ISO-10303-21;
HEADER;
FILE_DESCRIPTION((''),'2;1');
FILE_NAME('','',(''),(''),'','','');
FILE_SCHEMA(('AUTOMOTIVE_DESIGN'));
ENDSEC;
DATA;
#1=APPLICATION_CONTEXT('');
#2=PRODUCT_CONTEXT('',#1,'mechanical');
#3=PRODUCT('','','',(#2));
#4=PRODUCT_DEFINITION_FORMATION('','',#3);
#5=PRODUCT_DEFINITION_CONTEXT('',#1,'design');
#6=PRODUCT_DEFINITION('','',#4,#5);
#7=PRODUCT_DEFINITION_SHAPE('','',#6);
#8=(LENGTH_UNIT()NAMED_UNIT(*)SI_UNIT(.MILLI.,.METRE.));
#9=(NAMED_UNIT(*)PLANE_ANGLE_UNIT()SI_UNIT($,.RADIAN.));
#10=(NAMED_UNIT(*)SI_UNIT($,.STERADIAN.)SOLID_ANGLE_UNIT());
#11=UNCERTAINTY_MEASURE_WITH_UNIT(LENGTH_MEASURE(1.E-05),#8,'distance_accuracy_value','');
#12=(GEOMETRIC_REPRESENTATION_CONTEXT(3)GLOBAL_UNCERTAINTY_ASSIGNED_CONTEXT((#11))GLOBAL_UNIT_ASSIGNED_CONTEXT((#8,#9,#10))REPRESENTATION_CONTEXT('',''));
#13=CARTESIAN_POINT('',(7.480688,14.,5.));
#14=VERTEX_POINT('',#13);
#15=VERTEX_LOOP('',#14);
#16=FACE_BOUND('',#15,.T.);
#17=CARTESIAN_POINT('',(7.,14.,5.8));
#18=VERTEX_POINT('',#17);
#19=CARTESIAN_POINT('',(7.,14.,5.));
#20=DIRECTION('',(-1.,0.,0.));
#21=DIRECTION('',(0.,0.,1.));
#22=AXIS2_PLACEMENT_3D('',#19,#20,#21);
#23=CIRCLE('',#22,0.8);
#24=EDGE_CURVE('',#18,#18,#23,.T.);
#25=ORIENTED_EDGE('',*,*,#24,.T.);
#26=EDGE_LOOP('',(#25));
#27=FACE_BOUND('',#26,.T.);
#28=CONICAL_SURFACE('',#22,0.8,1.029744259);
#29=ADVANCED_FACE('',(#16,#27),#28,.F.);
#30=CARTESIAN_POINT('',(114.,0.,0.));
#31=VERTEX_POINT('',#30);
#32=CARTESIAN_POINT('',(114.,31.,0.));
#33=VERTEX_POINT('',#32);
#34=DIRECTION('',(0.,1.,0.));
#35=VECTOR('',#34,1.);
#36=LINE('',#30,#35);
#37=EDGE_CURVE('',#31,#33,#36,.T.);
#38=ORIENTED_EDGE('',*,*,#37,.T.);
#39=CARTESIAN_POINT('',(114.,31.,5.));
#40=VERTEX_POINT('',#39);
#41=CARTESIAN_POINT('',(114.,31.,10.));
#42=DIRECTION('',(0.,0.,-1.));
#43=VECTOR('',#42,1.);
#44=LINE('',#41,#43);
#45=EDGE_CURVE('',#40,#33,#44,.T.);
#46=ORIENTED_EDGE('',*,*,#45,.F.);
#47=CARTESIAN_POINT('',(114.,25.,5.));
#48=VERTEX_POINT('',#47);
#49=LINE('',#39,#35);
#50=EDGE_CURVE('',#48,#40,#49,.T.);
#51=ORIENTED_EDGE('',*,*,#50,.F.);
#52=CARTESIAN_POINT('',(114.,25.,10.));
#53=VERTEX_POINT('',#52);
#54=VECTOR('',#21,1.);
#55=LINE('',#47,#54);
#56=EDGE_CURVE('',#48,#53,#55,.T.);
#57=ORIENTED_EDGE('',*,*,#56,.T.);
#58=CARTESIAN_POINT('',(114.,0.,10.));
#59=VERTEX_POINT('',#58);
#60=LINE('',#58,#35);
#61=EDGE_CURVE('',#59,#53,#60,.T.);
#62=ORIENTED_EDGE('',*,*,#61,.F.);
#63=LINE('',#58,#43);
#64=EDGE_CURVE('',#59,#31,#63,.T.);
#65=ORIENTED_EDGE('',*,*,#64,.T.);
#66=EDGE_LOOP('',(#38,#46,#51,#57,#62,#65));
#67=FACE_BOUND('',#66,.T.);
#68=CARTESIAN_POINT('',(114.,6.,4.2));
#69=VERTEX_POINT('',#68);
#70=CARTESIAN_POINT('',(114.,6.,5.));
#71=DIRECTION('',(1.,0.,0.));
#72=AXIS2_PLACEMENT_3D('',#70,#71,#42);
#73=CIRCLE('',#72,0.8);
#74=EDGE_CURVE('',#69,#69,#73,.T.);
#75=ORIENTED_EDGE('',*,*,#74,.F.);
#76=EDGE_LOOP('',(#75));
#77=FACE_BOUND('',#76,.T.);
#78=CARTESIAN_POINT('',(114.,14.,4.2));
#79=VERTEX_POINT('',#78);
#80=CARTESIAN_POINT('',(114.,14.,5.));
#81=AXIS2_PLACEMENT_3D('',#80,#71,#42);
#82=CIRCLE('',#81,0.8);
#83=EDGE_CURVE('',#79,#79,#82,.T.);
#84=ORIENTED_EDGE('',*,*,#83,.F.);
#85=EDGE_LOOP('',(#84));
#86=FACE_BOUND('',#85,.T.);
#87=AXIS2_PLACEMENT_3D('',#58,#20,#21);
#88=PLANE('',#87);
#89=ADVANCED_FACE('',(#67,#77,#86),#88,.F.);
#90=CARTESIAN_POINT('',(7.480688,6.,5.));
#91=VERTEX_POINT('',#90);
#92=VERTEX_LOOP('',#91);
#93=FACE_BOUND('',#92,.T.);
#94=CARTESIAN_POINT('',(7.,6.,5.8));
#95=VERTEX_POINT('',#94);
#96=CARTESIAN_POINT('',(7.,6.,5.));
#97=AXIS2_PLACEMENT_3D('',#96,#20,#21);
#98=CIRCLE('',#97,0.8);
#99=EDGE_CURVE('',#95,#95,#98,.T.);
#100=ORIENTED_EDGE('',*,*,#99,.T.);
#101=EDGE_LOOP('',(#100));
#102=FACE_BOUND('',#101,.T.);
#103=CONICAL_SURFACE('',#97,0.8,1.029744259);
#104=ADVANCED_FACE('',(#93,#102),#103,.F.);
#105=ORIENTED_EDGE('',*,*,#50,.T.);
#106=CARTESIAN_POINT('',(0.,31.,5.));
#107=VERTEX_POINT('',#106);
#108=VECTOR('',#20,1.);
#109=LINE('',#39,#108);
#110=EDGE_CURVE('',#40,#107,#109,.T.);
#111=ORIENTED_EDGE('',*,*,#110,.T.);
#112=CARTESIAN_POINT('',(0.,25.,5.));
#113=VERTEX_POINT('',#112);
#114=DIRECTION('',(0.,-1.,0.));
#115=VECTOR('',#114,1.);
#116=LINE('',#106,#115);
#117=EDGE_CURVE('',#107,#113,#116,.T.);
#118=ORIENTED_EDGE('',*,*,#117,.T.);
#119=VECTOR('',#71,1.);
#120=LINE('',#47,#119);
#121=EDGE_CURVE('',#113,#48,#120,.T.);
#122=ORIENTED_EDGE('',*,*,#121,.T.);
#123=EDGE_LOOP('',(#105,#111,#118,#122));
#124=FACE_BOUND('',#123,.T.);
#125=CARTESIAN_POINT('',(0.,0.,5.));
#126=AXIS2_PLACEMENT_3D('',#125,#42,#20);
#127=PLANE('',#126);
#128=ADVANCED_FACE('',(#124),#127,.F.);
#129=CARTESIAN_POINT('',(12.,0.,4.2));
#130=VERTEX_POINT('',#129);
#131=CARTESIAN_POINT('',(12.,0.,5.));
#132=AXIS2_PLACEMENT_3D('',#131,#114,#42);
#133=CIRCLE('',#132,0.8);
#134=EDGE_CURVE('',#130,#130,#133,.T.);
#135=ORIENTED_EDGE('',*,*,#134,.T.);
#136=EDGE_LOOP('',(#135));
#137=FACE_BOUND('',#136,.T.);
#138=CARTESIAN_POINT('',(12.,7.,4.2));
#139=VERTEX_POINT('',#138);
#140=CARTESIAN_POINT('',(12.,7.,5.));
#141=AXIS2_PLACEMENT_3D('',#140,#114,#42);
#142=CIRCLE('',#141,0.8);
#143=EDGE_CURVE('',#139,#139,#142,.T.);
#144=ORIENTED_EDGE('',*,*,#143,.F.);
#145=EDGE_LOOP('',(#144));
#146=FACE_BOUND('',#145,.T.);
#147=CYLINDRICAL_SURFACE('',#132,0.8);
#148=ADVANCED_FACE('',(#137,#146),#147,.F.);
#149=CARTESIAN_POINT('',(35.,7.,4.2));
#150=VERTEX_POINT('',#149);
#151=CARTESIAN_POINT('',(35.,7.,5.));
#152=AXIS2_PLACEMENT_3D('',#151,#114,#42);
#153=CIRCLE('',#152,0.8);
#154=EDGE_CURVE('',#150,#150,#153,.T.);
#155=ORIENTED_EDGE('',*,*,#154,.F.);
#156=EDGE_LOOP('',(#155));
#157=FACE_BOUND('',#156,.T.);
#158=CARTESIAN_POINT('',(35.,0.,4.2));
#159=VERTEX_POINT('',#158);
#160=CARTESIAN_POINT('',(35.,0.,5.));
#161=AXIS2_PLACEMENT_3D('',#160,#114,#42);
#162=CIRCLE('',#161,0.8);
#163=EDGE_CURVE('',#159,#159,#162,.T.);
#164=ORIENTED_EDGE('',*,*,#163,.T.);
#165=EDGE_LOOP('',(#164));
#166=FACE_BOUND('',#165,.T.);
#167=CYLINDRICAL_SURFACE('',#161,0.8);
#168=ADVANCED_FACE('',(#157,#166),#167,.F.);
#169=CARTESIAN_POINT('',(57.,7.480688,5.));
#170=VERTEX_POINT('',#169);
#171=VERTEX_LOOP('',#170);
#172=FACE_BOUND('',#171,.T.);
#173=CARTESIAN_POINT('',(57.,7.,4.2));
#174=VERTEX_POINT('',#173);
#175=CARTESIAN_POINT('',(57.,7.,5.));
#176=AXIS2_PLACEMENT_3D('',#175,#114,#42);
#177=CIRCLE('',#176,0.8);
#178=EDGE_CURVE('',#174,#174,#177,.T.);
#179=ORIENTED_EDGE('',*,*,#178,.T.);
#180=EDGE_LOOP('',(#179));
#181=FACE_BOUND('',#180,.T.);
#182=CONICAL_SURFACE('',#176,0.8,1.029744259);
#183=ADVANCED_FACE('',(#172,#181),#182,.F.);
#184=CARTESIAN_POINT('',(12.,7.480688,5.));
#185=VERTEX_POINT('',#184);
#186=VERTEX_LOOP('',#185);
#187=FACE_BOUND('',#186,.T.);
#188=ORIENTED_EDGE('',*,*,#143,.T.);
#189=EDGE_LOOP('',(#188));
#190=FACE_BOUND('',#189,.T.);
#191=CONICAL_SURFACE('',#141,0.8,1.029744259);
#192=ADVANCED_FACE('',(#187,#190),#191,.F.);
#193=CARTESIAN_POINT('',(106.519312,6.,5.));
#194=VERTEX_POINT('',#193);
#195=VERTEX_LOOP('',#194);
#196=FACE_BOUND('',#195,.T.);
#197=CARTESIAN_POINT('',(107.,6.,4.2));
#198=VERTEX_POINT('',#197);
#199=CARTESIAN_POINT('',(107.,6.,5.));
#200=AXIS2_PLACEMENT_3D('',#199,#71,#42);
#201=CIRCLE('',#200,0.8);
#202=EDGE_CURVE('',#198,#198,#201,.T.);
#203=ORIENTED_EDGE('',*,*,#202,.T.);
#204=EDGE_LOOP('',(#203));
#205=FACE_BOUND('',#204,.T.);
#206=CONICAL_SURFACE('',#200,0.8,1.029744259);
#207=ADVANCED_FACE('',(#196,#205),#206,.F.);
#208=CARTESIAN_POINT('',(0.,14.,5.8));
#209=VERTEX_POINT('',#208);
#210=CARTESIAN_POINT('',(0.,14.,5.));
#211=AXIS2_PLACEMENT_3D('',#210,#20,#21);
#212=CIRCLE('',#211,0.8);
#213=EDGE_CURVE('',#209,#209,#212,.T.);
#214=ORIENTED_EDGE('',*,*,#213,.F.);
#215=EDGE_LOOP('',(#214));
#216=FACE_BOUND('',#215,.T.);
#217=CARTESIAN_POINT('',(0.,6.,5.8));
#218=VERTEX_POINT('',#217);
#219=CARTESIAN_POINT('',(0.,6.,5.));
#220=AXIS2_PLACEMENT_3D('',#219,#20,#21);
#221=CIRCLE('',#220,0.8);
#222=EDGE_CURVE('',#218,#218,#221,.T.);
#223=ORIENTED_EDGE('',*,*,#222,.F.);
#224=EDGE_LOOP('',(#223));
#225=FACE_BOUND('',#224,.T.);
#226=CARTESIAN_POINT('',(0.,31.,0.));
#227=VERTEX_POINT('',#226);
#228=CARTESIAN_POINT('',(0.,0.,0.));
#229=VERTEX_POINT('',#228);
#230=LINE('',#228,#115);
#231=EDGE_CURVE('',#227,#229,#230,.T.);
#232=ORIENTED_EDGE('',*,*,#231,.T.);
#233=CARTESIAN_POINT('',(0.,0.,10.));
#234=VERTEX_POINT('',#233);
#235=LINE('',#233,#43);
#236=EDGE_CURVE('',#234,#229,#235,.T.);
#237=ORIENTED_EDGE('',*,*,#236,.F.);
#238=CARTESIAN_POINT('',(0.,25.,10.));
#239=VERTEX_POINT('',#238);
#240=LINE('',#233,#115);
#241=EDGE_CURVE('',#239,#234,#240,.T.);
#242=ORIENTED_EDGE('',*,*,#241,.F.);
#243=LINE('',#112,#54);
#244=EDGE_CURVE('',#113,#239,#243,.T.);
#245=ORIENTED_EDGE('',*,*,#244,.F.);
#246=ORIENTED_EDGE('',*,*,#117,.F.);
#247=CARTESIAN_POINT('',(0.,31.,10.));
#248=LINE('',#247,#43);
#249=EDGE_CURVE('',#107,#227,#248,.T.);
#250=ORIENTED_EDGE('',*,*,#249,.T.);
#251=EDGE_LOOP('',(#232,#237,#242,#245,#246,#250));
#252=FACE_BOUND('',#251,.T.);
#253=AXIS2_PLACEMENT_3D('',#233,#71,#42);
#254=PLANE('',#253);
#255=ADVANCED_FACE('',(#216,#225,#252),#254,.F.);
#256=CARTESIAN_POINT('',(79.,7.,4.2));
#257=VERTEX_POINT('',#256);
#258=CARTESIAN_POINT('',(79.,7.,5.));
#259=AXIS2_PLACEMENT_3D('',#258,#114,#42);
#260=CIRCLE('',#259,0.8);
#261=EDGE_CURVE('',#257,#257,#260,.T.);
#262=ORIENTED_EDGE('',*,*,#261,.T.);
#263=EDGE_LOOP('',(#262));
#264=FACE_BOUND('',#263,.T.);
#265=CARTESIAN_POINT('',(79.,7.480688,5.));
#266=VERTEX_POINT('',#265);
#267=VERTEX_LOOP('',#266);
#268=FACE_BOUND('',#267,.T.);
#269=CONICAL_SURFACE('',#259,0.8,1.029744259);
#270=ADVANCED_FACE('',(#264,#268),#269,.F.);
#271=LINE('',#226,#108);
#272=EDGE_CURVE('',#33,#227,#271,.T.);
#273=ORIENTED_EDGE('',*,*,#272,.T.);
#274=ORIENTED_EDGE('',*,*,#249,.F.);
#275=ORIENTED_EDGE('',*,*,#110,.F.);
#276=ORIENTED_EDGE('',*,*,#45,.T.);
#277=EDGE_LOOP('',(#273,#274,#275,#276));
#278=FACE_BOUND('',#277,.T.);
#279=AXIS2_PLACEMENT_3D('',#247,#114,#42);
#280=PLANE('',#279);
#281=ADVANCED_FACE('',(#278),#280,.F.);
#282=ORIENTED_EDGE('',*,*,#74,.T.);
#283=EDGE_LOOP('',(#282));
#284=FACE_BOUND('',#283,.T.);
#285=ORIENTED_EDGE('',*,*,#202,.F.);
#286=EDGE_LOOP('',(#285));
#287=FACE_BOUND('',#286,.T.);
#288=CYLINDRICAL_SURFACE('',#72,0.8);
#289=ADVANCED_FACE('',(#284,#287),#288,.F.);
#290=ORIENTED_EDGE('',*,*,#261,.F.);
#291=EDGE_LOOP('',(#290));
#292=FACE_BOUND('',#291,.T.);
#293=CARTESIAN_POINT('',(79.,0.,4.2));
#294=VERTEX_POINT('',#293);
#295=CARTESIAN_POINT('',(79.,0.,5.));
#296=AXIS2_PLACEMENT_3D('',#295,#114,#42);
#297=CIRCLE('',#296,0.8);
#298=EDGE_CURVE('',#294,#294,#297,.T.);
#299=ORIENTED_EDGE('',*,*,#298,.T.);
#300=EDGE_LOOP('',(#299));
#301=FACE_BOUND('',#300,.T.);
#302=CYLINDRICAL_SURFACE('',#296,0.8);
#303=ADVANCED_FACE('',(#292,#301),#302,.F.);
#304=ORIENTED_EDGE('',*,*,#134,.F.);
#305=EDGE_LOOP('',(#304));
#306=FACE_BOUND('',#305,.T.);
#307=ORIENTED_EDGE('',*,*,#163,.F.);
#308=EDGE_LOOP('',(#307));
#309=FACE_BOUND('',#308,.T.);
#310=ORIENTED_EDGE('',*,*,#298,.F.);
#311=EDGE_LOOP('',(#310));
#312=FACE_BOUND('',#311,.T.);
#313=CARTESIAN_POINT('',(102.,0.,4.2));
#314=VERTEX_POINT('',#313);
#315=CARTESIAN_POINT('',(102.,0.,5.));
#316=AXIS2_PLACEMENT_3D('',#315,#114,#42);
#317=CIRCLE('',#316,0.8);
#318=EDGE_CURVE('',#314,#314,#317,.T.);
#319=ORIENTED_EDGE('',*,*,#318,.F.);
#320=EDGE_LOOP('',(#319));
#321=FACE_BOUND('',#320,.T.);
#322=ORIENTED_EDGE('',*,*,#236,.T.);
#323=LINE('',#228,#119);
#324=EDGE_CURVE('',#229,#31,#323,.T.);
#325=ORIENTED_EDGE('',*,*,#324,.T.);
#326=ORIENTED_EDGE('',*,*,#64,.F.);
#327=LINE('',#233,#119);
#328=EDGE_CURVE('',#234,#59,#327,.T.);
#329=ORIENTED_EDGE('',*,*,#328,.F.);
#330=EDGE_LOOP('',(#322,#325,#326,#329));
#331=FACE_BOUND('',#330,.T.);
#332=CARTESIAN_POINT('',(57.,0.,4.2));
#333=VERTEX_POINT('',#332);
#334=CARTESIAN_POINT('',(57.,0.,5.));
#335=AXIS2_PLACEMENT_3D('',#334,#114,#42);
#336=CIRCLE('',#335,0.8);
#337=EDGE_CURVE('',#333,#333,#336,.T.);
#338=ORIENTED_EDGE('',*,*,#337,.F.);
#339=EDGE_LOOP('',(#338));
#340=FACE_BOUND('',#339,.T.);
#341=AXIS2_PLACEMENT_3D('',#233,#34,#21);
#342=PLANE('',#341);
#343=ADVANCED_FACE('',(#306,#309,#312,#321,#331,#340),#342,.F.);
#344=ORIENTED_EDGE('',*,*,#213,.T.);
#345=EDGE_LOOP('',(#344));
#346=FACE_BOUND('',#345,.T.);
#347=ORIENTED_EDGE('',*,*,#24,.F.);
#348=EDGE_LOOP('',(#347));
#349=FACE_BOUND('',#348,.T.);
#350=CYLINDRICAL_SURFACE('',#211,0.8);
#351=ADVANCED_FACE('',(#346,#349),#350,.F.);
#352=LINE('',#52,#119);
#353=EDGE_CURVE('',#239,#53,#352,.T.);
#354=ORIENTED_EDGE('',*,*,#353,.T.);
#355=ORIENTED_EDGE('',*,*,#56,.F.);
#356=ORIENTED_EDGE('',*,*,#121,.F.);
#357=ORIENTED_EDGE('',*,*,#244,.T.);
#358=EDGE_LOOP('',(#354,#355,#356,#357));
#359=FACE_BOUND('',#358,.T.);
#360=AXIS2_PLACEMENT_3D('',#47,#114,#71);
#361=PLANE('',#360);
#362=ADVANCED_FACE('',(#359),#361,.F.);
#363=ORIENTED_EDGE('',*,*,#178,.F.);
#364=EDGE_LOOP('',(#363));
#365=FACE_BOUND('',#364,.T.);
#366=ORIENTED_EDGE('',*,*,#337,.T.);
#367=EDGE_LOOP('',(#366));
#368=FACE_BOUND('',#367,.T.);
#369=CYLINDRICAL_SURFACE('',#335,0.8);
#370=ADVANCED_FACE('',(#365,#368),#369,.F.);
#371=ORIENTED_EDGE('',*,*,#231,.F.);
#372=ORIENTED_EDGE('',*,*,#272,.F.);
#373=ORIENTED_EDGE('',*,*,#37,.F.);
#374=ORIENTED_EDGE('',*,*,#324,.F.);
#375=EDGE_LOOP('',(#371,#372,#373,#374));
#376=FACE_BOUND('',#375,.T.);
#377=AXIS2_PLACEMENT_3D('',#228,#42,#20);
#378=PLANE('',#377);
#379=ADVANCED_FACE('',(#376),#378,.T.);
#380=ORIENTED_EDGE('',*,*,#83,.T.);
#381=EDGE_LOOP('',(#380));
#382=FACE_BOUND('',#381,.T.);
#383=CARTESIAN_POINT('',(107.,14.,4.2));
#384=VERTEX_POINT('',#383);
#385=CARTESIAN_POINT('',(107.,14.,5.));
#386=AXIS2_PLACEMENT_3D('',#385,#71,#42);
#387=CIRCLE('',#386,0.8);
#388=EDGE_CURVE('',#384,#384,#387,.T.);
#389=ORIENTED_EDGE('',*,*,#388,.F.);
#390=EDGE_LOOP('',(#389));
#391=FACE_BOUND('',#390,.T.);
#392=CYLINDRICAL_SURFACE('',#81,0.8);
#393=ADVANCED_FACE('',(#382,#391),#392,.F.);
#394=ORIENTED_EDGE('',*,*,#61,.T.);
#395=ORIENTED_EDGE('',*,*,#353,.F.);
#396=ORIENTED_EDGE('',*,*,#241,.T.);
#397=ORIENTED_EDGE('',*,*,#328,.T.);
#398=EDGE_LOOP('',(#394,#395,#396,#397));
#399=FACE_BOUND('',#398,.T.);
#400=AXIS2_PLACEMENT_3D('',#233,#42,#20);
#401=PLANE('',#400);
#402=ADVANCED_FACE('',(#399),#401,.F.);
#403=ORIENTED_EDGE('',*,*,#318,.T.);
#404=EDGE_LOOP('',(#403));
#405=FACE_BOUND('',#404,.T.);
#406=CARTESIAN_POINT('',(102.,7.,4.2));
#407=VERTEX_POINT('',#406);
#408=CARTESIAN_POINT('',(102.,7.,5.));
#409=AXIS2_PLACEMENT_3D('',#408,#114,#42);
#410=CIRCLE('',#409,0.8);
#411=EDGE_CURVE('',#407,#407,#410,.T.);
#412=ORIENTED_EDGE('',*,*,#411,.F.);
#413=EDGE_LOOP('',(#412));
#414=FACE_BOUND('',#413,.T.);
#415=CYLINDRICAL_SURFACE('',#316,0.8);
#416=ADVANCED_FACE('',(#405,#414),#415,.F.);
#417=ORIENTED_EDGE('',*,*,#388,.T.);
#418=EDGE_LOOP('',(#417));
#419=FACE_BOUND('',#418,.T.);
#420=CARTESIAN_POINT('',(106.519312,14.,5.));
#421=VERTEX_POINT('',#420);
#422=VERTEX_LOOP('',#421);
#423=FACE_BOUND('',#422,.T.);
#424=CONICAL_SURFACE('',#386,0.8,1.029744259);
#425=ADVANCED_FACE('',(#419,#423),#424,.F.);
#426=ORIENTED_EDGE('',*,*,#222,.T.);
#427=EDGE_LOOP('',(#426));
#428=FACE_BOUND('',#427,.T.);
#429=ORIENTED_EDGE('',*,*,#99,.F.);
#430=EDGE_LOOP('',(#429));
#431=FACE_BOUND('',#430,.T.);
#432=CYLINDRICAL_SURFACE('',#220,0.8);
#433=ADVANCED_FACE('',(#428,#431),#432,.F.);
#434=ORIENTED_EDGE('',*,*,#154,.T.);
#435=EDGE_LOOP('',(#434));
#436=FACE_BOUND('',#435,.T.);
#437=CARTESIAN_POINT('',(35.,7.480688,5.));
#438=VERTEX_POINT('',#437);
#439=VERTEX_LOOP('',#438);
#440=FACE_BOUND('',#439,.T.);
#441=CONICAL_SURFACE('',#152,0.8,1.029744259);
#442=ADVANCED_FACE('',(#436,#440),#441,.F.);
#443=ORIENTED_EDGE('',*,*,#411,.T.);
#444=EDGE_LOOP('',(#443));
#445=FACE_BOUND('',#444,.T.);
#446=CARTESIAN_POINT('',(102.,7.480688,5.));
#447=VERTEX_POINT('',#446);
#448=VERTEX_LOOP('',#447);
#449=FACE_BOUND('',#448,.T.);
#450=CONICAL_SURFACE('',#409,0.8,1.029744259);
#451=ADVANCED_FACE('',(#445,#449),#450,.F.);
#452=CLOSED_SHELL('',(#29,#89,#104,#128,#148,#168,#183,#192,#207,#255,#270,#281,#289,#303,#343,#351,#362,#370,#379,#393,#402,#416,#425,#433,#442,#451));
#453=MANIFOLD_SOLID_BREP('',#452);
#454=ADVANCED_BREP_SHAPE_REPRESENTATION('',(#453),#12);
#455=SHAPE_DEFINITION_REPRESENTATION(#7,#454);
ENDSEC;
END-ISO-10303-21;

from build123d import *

# Parameters (mm, degrees)
SKETCH1_W                 = 114
SKETCH1_H                 = 31
BOSS_EXTRUDE1_DEPTH       = 10
SKETCH2_W                 = 114
SKETCH2_H                 = 6
CUT_EXTRUDE1_DEPTH        = 5
M2X0_4_TAPPED_HOLE1_D     = 1.6
M2X0_4_TAPPED_HOLE1_DEPTH = 7
M2X0_4_TAPPED_HOLE1_TIP   = 0.480688495
M2X0_4_TAPPED_HOLE3_D     = 1.6
M2X0_4_TAPPED_HOLE3_DEPTH = 7
M2X0_4_TAPPED_HOLE3_TIP   = 0.480688495
M2X0_4_TAPPED_HOLE2_D     = 1.6
M2X0_4_TAPPED_HOLE2_DEPTH = 7
M2X0_4_TAPPED_HOLE2_TIP   = 0.480688495


with BuildPart() as part:
    # Sketch1 → Boss-Extrude1 (new body)
    with BuildSketch(Plane.XY):
        with Locations((57, 15.5)):
            Rectangle(SKETCH1_W, SKETCH1_H)
    extrude(amount=BOSS_EXTRUDE1_DEPTH)

    # Sketch2 → Cut-Extrude1 (cut)
    with BuildSketch(Plane.XY.offset(10)):
        with Locations((57, 28)):
            Rectangle(SKETCH2_W, SKETCH2_H)
    extrude(amount=-CUT_EXTRUDE1_DEPTH, mode=Mode.SUBTRACT)

    # M2x0.4 Tapped Hole1
    with Locations(Plane(origin=(0, 14, 5), x_dir=(0, 0, -1), z_dir=(-1, 0, 0))):
        with Locations((0, 0), (0, 8)):
            Hole(M2X0_4_TAPPED_HOLE1_D / 2, depth=M2X0_4_TAPPED_HOLE1_DEPTH)
            with Locations((0, 0, -(M2X0_4_TAPPED_HOLE1_DEPTH + M2X0_4_TAPPED_HOLE1_TIP / 2))):  # 118° drill point
                Cone(0, M2X0_4_TAPPED_HOLE1_D / 2, M2X0_4_TAPPED_HOLE1_TIP, mode=Mode.SUBTRACT)

    # M2x0.4 Tapped Hole3
    with Locations(Plane(origin=(114, 14, 5), x_dir=(0, 0, 1), z_dir=(1, 0, 0))):
        with Locations((0, 0), (0, 8)):
            Hole(M2X0_4_TAPPED_HOLE3_D / 2, depth=M2X0_4_TAPPED_HOLE3_DEPTH)
            with Locations((0, 0, -(M2X0_4_TAPPED_HOLE3_DEPTH + M2X0_4_TAPPED_HOLE3_TIP / 2))):  # 118° drill point
                Cone(0, M2X0_4_TAPPED_HOLE3_D / 2, M2X0_4_TAPPED_HOLE3_TIP, mode=Mode.SUBTRACT)

    # M2x0.4 Tapped Hole2
    with Locations(Plane(origin=(0, 0, 0), x_dir=(-1, 0, 0), z_dir=(0, -1, 0))):
        with Locations((-102, -5), (-12, -5), (-57, -5), (-79, -5), (-35, -5)):
            Hole(M2X0_4_TAPPED_HOLE2_D / 2, depth=M2X0_4_TAPPED_HOLE2_DEPTH)
            with Locations((0, 0, -(M2X0_4_TAPPED_HOLE2_DEPTH + M2X0_4_TAPPED_HOLE2_TIP / 2))):  # 118° drill point
                Cone(0, M2X0_4_TAPPED_HOLE2_D / 2, M2X0_4_TAPPED_HOLE2_TIP, mode=Mode.SUBTRACT)


solid = part.part
